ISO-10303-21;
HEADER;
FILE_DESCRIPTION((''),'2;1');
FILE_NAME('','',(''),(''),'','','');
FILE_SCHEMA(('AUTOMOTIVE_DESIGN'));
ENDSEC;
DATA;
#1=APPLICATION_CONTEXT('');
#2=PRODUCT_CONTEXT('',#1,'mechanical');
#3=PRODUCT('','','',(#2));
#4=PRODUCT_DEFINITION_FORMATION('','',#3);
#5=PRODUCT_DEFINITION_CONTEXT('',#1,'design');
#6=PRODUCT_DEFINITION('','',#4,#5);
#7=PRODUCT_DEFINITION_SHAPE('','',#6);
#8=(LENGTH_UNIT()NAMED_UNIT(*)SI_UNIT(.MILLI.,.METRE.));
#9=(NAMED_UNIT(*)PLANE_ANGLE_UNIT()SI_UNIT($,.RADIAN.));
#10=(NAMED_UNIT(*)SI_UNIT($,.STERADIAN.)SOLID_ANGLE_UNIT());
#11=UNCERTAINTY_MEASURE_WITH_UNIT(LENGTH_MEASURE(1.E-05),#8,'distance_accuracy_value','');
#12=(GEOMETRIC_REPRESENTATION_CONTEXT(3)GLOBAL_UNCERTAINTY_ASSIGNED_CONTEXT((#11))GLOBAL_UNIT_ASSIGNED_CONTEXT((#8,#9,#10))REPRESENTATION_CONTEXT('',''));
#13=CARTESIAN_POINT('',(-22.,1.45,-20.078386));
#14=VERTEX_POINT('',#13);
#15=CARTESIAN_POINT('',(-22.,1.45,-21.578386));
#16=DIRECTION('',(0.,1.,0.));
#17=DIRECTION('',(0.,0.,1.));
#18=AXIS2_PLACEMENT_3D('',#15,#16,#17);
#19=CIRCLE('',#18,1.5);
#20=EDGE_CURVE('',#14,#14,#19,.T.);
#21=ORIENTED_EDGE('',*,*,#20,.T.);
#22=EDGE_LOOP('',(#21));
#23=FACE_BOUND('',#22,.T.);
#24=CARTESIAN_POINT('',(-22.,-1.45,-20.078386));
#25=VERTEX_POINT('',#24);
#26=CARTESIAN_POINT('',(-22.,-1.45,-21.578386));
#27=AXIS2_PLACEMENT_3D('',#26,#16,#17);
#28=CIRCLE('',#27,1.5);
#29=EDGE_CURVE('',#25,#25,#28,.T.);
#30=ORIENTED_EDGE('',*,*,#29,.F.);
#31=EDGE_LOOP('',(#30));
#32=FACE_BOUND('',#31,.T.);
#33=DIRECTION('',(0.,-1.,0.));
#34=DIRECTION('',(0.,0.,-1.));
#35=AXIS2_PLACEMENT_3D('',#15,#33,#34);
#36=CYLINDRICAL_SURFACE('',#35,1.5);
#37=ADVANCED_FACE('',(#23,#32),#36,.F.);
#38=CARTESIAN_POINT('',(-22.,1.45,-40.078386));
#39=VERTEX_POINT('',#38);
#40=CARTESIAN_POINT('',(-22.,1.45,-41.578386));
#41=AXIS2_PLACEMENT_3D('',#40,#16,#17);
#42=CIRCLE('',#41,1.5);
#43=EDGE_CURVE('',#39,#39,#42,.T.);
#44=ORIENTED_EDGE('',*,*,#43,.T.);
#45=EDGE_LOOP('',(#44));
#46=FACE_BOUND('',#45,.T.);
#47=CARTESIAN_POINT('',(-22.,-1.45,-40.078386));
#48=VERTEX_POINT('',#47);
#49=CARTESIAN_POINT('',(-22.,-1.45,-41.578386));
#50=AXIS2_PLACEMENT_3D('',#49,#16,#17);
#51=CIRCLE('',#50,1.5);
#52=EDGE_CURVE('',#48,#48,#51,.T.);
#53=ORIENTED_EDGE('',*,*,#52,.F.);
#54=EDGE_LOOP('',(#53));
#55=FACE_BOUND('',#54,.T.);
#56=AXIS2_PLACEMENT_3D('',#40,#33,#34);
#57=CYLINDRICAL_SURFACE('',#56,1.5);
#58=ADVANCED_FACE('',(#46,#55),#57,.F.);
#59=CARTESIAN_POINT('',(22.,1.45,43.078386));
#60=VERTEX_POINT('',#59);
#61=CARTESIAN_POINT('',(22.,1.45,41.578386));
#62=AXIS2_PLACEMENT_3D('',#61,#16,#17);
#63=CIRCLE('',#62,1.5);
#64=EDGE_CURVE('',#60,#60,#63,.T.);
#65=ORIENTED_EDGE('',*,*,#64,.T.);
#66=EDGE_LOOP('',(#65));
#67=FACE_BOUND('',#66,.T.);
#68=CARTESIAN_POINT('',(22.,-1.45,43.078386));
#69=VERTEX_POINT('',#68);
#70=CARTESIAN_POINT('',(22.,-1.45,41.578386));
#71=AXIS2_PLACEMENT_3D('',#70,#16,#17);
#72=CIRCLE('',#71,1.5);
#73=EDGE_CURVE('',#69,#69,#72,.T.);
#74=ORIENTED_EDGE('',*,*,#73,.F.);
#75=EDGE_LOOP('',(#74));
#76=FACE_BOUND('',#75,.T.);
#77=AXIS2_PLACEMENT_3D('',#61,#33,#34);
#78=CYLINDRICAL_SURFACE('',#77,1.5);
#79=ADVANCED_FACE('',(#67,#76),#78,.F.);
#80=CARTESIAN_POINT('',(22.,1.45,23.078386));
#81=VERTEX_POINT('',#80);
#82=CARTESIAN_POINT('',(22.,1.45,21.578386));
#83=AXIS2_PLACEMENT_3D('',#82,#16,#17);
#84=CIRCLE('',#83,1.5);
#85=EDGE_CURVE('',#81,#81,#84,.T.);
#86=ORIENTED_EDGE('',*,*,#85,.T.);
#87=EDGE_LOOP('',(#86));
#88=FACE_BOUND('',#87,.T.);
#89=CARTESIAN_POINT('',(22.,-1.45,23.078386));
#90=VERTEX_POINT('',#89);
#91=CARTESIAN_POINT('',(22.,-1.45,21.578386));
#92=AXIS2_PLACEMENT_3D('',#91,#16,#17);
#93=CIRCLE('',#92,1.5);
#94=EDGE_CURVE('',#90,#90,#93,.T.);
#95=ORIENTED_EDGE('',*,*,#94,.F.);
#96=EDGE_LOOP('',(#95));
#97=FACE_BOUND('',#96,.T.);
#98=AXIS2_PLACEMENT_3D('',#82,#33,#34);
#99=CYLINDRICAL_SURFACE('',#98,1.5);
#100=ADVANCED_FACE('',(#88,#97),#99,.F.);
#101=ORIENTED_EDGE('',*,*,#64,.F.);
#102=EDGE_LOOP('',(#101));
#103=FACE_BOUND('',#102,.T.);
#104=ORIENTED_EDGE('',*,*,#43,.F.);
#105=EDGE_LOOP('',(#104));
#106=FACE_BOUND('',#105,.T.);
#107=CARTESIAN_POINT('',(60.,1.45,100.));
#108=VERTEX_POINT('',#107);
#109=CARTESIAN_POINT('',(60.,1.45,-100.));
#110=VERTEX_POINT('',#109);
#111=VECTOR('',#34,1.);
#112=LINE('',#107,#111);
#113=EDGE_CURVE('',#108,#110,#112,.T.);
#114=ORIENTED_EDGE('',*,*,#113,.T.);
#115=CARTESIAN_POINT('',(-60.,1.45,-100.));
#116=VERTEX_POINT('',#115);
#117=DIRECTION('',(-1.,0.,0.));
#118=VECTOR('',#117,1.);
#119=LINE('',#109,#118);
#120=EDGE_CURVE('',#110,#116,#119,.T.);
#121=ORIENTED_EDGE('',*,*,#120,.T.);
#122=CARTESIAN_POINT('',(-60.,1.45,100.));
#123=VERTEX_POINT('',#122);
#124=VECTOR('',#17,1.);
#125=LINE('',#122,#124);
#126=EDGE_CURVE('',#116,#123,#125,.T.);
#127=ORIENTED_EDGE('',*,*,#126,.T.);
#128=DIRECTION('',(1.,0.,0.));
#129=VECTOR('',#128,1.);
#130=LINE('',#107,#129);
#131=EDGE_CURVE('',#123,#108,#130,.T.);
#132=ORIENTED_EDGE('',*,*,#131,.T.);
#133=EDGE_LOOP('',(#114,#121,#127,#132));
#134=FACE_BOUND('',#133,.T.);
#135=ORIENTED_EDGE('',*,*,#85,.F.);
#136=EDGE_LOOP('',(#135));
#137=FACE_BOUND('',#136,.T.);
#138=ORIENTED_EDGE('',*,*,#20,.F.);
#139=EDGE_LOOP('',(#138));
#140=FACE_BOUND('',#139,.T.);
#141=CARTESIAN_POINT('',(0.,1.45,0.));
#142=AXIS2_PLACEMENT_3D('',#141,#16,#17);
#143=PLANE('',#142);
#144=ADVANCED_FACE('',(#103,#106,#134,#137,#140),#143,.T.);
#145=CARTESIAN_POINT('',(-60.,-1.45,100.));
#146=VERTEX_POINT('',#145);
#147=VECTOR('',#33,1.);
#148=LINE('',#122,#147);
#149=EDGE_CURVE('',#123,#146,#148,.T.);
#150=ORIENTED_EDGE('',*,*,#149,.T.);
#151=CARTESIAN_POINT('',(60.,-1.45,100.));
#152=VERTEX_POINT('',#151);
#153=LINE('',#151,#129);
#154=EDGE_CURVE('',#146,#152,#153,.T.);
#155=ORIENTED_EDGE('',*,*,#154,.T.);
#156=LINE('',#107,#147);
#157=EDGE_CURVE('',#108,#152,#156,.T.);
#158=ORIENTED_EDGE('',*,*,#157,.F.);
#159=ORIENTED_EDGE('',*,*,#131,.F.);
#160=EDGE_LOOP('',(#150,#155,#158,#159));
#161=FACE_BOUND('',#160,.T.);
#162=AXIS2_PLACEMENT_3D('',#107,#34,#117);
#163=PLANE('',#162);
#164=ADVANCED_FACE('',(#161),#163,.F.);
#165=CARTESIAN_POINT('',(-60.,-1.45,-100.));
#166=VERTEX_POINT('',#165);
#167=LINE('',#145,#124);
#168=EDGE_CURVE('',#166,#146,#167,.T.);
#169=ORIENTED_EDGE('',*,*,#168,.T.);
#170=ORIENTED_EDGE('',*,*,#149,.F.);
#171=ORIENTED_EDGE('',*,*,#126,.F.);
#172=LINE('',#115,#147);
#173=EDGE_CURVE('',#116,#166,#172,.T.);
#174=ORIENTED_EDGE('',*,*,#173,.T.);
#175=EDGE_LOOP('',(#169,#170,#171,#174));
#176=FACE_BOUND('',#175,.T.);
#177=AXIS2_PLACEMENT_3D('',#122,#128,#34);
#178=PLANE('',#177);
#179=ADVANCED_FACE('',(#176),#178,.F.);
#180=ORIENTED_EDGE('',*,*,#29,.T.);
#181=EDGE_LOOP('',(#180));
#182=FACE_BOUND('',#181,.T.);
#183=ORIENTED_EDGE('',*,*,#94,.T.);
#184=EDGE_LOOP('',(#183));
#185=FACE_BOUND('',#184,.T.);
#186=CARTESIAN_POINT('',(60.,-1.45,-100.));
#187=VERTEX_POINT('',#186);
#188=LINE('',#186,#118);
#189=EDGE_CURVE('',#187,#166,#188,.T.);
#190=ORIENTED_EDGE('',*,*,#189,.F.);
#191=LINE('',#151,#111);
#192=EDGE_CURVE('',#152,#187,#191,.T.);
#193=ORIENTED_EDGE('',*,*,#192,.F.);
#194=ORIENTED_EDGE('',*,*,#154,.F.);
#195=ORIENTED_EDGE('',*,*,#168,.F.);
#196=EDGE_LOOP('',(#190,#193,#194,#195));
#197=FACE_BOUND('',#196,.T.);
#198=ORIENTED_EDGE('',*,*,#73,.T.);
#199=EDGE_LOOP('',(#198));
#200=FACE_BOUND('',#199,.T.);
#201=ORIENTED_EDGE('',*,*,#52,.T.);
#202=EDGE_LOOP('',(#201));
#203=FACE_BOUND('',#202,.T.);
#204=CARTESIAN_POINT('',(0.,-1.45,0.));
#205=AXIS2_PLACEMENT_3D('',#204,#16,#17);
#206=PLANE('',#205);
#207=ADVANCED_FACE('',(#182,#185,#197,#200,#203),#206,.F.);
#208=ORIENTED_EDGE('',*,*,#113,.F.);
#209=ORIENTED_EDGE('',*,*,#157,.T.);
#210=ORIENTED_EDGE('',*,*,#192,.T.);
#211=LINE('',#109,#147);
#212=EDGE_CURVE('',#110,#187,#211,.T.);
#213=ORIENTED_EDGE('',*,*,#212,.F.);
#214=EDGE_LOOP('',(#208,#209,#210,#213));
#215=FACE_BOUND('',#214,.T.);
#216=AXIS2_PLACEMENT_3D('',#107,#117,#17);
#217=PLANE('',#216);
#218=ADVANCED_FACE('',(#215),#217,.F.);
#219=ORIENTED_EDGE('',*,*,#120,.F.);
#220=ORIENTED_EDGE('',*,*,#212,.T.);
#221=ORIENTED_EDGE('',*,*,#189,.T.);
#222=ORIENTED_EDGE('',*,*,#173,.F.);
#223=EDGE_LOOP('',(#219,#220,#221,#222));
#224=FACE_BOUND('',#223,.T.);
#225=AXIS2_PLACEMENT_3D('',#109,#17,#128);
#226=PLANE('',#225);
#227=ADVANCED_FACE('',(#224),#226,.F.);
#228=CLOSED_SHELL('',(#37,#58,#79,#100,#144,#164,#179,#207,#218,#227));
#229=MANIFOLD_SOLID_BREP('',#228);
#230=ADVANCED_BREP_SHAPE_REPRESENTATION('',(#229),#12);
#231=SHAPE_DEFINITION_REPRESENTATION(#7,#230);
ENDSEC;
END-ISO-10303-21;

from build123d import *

# Parameters (mm, degrees)
SKETCH1_W           = 120
SKETCH1_H           = 200
SKETCH1_R           = 1.5
BOSS_EXTRUDE1_DEPTH = 1.45


with BuildPart() as part:
    # Sketch1 → Boss-Extrude1 (new, symmetric)
    with BuildSketch(Plane(origin=(0, 0, 0), x_dir=(1, 0, 0), z_dir=(0, 1, 0))):
        Rectangle(SKETCH1_W, SKETCH1_H)
        with Locations(Location((-22, 41.578386207, 0), (0, 0, 270))):
            Circle(SKETCH1_R, mode=Mode.SUBTRACT)
        with Locations(Location((-22, 21.578386207, 0), (0, 0, 270))):
            Circle(SKETCH1_R, mode=Mode.SUBTRACT)
        with Locations(Location((22, -21.578386207, 0), (0, 0, 270))):
            Circle(SKETCH1_R, mode=Mode.SUBTRACT)
        with Locations(Location((22, -41.578386207, 0), (0, 0, 270))):
            Circle(SKETCH1_R, mode=Mode.SUBTRACT)
    extrude(amount=BOSS_EXTRUDE1_DEPTH, both=True)


solid = part.part
